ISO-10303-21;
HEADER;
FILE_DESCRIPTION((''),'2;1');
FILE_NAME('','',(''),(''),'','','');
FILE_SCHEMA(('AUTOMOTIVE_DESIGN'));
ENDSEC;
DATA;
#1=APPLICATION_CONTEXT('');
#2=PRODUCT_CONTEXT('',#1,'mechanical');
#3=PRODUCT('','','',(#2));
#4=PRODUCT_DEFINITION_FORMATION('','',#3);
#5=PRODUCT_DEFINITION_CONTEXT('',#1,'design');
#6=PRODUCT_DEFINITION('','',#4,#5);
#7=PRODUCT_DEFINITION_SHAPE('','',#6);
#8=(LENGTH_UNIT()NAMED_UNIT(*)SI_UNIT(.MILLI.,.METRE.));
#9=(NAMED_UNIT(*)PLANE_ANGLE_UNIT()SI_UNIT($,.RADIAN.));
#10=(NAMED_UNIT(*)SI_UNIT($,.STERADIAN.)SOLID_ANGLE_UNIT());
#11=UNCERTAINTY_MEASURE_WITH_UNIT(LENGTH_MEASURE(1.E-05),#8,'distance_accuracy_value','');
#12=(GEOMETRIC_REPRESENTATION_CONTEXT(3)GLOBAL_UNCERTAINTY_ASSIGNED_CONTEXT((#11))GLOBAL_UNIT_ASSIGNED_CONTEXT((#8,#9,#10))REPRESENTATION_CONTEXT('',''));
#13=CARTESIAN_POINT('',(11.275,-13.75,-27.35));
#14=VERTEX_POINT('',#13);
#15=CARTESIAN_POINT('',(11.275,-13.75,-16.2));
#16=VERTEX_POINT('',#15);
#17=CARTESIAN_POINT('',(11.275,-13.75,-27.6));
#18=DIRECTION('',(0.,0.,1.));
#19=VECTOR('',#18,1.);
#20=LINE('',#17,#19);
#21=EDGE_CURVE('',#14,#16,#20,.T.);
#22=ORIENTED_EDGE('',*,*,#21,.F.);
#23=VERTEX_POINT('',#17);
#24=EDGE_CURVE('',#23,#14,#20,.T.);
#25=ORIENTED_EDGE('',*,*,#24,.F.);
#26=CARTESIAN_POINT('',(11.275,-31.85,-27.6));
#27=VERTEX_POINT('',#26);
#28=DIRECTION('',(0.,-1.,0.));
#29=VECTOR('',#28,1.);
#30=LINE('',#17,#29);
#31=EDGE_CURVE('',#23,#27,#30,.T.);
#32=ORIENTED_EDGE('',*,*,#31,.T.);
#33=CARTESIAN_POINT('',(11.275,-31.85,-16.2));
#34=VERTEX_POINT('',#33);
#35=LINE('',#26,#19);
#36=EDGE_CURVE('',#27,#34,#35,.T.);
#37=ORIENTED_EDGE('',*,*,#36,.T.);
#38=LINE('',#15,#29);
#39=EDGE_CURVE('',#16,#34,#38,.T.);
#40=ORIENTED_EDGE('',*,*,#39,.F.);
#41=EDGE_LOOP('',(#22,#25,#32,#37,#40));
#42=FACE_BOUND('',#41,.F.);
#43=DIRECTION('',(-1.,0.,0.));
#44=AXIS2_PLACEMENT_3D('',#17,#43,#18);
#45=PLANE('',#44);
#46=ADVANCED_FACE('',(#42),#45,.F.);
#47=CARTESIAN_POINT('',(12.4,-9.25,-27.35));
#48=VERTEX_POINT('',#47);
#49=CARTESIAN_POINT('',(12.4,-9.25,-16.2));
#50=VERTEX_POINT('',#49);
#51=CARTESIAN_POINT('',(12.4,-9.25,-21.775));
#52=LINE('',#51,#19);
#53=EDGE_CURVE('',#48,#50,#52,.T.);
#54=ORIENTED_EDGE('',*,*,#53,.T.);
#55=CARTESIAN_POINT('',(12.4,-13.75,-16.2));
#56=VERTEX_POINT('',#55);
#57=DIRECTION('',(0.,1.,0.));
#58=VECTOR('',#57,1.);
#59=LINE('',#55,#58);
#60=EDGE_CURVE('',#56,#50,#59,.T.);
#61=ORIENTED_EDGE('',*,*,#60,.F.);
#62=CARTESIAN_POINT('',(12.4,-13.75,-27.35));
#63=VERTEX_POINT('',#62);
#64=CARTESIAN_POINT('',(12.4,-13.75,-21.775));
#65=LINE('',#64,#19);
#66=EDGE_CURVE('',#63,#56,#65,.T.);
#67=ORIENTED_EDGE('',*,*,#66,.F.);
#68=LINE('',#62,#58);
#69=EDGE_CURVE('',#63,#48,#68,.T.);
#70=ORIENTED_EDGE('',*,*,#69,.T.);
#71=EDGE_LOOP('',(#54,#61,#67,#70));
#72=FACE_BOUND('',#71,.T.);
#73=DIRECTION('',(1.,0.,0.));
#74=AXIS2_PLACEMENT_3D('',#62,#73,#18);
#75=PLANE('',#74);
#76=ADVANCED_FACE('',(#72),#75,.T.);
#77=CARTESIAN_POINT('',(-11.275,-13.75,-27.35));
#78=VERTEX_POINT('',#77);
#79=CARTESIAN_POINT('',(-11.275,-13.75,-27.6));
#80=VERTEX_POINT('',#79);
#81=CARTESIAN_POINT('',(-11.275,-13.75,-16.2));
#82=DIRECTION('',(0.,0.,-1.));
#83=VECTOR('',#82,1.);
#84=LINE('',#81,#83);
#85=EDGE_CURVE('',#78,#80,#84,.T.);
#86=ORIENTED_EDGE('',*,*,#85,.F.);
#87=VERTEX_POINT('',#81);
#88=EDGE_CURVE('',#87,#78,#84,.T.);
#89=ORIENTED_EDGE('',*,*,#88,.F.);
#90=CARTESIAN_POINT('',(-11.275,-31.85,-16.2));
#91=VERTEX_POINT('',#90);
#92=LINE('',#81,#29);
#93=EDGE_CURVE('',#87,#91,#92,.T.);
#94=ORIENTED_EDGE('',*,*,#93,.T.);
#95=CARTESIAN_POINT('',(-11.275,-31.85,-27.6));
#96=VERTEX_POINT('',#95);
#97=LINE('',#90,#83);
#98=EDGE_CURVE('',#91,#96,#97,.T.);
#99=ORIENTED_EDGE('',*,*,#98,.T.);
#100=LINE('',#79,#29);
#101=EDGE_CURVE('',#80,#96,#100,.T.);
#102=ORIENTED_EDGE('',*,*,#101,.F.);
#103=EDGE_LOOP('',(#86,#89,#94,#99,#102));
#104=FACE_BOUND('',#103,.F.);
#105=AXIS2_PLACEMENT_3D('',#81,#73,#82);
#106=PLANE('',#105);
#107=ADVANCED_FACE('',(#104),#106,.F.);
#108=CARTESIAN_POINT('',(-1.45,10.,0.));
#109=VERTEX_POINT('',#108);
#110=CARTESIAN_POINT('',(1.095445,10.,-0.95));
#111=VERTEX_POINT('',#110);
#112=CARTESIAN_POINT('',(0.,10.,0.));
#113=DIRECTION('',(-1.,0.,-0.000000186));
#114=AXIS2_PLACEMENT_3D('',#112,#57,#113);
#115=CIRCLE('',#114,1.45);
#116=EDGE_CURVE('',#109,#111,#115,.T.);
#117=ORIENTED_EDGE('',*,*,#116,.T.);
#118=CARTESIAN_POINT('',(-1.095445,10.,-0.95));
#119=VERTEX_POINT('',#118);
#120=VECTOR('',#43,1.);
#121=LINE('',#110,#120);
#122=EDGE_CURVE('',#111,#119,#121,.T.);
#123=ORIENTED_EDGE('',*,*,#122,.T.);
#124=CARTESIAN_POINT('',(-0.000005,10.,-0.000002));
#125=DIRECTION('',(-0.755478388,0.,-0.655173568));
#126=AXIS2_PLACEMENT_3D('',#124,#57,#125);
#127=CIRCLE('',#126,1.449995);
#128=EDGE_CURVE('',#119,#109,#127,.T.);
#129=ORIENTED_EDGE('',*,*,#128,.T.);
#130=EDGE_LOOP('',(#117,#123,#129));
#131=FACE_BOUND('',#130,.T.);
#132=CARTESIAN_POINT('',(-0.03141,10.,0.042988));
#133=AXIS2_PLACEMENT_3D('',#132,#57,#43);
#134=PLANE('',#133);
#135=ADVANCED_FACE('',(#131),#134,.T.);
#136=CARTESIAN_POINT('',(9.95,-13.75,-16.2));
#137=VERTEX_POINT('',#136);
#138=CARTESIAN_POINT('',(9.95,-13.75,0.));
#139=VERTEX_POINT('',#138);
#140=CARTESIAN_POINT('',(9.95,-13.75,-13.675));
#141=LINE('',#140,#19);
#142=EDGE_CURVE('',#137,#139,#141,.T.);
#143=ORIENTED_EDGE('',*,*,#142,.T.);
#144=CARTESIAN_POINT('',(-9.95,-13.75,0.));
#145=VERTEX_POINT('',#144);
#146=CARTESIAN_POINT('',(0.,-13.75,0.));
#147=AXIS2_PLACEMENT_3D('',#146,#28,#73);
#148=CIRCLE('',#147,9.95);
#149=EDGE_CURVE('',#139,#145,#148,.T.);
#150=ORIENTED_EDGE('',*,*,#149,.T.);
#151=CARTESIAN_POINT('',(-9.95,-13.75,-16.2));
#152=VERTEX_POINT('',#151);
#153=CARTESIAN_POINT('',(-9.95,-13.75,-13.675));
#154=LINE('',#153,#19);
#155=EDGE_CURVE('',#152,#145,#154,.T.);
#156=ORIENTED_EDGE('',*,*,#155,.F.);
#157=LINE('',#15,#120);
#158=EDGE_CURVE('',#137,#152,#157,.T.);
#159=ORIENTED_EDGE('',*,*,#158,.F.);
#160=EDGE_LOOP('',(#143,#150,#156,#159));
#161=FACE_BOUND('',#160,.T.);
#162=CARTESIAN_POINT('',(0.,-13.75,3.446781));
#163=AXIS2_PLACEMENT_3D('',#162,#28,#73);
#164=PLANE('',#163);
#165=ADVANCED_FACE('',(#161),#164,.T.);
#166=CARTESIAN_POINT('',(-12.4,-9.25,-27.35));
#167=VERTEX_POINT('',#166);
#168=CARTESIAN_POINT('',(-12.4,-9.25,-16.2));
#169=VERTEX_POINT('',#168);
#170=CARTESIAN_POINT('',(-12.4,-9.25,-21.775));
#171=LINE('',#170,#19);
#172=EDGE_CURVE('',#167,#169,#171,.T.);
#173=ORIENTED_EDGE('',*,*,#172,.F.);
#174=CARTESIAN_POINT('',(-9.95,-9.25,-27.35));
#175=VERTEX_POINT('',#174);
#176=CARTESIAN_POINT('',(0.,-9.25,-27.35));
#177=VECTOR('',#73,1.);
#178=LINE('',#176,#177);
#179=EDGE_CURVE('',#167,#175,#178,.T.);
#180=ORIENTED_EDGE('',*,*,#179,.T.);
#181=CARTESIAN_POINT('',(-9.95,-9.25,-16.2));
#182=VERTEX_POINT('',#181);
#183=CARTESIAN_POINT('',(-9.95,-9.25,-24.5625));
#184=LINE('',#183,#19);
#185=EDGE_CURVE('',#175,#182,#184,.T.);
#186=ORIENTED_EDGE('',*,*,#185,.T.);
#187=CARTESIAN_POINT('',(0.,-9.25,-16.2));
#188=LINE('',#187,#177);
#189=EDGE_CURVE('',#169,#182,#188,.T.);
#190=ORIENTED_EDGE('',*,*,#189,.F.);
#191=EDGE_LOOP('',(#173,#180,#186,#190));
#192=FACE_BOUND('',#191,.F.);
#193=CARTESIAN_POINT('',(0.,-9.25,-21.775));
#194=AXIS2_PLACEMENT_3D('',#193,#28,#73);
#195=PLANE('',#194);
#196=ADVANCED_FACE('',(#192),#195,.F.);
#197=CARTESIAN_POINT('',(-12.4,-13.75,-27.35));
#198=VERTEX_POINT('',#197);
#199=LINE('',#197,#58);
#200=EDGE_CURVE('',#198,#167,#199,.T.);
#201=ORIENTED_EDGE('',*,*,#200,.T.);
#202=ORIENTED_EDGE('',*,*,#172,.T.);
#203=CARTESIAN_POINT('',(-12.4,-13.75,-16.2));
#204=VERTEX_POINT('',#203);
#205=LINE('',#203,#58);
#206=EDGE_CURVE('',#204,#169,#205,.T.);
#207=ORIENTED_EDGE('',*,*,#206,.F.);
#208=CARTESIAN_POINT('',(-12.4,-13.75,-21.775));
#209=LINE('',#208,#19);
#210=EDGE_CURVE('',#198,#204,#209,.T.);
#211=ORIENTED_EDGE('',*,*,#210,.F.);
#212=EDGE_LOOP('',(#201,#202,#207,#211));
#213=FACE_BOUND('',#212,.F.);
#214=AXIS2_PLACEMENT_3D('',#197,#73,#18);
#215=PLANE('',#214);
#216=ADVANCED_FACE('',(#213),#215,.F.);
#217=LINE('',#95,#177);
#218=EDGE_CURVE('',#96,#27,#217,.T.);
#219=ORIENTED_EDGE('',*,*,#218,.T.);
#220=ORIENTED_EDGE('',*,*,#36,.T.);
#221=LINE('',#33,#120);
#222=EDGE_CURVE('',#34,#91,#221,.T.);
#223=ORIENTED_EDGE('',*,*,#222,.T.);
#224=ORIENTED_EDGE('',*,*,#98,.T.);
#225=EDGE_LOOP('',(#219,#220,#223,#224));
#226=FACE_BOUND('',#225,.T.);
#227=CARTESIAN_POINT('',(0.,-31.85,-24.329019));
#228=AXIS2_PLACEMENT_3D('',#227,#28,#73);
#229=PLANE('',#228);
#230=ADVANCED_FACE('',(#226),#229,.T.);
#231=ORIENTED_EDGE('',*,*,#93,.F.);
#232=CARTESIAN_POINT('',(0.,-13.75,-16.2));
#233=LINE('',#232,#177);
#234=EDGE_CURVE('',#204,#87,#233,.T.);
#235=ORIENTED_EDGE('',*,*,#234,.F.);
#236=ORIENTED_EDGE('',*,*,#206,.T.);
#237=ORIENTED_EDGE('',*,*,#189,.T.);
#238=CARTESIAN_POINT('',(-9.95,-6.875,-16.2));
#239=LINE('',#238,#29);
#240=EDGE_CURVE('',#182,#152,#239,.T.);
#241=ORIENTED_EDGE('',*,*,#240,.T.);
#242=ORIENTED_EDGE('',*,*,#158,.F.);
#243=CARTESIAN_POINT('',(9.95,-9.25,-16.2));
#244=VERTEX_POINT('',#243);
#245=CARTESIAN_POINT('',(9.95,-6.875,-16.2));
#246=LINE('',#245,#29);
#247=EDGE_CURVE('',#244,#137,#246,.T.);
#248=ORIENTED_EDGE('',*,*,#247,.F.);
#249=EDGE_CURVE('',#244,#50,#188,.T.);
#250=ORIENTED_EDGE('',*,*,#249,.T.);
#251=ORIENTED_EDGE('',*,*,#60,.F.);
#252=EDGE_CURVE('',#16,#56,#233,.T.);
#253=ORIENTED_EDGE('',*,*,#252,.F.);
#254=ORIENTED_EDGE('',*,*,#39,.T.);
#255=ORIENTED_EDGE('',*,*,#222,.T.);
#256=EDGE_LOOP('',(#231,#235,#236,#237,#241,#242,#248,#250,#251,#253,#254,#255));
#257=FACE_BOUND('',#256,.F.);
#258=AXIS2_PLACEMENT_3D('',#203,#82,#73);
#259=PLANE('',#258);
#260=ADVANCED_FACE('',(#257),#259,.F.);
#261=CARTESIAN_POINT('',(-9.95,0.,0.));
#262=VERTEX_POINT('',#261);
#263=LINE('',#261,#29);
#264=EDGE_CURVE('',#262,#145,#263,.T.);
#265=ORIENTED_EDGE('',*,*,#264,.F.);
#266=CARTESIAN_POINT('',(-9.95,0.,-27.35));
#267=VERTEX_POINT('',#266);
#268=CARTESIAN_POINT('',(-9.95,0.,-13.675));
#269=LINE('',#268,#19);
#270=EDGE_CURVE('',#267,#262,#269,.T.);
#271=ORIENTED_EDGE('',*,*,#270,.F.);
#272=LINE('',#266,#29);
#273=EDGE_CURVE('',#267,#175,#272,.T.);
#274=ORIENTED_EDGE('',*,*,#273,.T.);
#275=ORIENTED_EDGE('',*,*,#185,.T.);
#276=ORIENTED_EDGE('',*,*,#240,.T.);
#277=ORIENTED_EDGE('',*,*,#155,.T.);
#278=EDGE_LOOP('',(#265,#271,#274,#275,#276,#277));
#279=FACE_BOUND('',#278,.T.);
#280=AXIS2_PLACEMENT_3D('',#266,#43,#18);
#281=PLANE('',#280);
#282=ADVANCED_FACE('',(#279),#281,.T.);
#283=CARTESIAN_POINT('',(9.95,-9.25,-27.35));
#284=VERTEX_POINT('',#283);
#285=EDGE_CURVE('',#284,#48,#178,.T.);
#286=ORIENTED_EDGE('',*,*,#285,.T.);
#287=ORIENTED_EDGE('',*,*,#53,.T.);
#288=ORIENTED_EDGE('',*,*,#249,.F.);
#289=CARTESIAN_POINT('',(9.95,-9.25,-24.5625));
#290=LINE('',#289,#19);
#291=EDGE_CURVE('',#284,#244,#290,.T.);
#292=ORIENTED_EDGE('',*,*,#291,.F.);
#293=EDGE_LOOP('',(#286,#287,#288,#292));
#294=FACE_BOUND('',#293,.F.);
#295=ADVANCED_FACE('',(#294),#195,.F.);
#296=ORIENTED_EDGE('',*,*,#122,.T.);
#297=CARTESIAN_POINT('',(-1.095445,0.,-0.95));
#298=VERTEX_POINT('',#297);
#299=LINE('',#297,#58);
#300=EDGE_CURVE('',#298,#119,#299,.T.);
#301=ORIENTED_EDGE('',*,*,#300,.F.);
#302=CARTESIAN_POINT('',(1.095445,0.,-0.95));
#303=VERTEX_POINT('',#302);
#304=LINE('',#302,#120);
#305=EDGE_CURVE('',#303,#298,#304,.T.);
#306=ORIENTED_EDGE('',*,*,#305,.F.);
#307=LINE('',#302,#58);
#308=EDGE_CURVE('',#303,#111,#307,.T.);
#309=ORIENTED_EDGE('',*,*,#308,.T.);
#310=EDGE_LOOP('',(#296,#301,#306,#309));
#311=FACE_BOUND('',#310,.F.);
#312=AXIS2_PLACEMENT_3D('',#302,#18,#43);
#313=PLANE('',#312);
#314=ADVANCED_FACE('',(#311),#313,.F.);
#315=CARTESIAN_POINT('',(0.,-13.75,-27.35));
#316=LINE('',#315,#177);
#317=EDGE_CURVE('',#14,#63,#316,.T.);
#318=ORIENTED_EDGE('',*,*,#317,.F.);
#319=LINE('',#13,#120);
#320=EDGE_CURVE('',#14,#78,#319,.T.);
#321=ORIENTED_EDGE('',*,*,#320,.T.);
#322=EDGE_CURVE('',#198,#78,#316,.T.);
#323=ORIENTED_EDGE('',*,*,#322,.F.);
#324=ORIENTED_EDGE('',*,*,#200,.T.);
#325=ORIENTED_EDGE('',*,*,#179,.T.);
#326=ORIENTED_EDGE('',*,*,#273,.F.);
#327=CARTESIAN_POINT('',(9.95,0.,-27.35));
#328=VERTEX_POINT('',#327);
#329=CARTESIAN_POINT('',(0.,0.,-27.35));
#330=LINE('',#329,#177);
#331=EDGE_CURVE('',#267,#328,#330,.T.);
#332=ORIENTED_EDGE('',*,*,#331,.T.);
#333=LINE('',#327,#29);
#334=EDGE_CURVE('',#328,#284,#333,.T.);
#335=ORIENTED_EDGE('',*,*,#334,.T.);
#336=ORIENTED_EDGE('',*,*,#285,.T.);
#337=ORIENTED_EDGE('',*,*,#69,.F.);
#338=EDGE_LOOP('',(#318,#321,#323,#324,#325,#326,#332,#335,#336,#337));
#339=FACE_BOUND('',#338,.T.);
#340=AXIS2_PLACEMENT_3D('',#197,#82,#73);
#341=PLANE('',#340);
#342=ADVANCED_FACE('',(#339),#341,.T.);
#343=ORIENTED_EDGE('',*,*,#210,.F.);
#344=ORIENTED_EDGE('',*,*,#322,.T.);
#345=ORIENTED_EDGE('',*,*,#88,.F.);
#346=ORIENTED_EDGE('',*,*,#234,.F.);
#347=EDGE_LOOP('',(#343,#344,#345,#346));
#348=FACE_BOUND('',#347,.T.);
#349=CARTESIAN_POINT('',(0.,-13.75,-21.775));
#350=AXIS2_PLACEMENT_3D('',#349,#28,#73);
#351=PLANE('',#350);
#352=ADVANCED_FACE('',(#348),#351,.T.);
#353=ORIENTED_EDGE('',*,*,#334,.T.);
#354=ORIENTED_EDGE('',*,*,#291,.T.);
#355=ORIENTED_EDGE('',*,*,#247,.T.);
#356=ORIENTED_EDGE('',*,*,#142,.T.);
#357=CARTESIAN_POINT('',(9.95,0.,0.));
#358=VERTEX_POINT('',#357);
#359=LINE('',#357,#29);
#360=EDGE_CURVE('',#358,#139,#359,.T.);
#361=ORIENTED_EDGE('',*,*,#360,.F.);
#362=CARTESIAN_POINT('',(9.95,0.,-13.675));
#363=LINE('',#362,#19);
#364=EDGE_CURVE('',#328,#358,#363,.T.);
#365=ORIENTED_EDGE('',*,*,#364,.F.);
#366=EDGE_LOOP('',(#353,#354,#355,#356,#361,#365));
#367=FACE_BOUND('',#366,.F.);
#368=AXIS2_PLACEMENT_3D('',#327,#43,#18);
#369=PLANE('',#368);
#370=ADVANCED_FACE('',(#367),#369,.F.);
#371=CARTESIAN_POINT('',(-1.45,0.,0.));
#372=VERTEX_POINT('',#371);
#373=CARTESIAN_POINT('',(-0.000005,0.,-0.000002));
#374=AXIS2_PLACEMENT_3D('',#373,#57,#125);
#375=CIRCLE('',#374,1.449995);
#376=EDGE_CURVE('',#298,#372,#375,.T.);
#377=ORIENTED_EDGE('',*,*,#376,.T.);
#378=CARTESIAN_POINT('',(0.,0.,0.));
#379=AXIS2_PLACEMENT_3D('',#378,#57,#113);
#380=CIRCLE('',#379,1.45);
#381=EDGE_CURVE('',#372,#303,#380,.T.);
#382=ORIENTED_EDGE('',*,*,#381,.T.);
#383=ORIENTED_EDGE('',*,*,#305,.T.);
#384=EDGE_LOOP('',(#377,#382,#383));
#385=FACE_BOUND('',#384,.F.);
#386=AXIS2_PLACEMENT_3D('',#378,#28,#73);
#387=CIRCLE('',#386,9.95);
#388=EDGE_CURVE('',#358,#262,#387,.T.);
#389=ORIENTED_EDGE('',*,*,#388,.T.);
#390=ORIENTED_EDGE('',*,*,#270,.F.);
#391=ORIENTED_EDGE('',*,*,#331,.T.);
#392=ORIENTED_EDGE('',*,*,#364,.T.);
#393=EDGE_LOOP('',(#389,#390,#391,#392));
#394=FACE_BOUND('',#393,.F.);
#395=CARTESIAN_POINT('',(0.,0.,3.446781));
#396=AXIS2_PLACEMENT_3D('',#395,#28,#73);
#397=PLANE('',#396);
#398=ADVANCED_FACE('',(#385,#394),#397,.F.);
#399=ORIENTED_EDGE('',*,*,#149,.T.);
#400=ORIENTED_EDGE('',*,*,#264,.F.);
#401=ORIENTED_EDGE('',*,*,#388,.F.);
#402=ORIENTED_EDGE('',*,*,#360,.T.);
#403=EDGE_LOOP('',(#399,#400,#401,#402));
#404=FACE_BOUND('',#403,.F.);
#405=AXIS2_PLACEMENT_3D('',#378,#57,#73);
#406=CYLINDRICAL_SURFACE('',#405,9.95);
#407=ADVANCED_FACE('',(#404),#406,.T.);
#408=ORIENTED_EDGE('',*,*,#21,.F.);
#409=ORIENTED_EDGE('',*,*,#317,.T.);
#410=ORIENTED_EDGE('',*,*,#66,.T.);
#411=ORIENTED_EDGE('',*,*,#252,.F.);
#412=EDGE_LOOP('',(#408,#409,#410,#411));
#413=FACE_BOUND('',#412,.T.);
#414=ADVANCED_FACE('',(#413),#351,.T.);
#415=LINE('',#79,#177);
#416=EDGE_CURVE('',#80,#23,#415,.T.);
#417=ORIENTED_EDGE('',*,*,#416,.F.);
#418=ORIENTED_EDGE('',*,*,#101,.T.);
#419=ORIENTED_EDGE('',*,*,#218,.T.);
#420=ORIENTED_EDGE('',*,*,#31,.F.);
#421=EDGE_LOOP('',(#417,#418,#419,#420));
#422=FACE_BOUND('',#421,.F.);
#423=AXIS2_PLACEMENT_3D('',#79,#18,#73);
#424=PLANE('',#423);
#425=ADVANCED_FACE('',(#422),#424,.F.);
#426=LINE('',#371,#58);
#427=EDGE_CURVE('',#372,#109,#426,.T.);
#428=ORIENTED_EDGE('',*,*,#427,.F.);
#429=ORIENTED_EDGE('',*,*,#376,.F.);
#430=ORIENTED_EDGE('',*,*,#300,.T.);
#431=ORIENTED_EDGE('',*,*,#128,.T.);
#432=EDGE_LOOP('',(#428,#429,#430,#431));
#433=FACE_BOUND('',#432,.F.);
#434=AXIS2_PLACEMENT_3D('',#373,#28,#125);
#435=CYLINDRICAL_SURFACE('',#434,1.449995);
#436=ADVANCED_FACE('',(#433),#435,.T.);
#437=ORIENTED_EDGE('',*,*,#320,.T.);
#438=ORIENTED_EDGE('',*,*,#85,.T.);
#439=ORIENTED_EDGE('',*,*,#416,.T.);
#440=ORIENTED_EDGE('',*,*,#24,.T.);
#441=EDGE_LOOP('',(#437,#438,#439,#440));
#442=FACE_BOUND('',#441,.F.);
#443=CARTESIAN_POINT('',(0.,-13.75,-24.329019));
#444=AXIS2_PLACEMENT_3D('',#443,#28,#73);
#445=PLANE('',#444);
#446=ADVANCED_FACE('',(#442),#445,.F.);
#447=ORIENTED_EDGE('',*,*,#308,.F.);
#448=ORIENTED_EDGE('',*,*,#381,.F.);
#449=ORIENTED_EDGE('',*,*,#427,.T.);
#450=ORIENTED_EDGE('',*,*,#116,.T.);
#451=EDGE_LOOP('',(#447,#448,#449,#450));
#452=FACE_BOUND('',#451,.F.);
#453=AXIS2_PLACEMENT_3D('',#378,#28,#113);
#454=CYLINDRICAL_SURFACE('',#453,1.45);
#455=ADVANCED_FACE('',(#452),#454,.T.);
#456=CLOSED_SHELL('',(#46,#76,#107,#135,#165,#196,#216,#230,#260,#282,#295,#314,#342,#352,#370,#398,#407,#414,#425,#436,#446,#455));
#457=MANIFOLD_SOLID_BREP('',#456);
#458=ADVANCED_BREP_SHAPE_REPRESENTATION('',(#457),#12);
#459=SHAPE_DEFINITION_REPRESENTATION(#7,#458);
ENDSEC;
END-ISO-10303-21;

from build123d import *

# Parameters (mm, degrees)
F0_W     = 19.9
F0_H     = 27.35
F1_DEPTH = 13.75
F2_W     = 19.9
F2_H     = 11.15
F3_DEPTH = 18.1
F4_W     = 24.8
F4_H     = 11.15
F5_DEPTH = 4.5
F7_DEPTH = 10


with BuildPart() as f1:
    # F0 (on Front) → F1 (new body)
    with BuildSketch(Plane.XZ):
        with BuildLine():
            ThreePointArc((9.95, 0), (0, 9.95), (-9.95, 0))
            Line((-9.95, 0), (9.95, 0))
        make_face()
        with Locations((0, -13.675)):
            Rectangle(F0_W, F0_H)
    extrude(amount=F1_DEPTH)

    # F2 (on face) → F3 (join)
    with BuildSketch(Plane.XZ.offset(13.75)):
        Polygon((-11.275, -16.2), (-11.275, -27.6), (11.275, -27.6), (11.275, -16.2), (9.95, -16.2), (9.95, -27.35), (-9.95, -27.35), (-9.95, -16.2), align=None)
        with Locations((0, -21.775)):
            Rectangle(F2_W, F2_H)
    extrude(amount=F3_DEPTH)

    # F4 (on face) → F5 (join)
    with BuildSketch(Plane.XZ.offset(13.75)):
        with Locations((0, -21.775)):
            Rectangle(F4_W, F4_H)
    extrude(amount=-F5_DEPTH)

    # F6 (on face) → F7 (join)
    with BuildSketch(Plane(origin=(0, 0, 0), x_dir=(-1, 0, 0), z_dir=(0, 1, 0))):
        with BuildLine():
            ThreePointArc((1.095445, -0.95), (1.358473, -0.507003), (1.45, 0))
            ThreePointArc((1.45, 0), (-0.507003, 1.358473), (-1.095445, -0.95))
            Line((-1.095445, -0.95), (1.095445, -0.95))
        make_face()
    extrude(amount=F7_DEPTH)


solid = f1.part
